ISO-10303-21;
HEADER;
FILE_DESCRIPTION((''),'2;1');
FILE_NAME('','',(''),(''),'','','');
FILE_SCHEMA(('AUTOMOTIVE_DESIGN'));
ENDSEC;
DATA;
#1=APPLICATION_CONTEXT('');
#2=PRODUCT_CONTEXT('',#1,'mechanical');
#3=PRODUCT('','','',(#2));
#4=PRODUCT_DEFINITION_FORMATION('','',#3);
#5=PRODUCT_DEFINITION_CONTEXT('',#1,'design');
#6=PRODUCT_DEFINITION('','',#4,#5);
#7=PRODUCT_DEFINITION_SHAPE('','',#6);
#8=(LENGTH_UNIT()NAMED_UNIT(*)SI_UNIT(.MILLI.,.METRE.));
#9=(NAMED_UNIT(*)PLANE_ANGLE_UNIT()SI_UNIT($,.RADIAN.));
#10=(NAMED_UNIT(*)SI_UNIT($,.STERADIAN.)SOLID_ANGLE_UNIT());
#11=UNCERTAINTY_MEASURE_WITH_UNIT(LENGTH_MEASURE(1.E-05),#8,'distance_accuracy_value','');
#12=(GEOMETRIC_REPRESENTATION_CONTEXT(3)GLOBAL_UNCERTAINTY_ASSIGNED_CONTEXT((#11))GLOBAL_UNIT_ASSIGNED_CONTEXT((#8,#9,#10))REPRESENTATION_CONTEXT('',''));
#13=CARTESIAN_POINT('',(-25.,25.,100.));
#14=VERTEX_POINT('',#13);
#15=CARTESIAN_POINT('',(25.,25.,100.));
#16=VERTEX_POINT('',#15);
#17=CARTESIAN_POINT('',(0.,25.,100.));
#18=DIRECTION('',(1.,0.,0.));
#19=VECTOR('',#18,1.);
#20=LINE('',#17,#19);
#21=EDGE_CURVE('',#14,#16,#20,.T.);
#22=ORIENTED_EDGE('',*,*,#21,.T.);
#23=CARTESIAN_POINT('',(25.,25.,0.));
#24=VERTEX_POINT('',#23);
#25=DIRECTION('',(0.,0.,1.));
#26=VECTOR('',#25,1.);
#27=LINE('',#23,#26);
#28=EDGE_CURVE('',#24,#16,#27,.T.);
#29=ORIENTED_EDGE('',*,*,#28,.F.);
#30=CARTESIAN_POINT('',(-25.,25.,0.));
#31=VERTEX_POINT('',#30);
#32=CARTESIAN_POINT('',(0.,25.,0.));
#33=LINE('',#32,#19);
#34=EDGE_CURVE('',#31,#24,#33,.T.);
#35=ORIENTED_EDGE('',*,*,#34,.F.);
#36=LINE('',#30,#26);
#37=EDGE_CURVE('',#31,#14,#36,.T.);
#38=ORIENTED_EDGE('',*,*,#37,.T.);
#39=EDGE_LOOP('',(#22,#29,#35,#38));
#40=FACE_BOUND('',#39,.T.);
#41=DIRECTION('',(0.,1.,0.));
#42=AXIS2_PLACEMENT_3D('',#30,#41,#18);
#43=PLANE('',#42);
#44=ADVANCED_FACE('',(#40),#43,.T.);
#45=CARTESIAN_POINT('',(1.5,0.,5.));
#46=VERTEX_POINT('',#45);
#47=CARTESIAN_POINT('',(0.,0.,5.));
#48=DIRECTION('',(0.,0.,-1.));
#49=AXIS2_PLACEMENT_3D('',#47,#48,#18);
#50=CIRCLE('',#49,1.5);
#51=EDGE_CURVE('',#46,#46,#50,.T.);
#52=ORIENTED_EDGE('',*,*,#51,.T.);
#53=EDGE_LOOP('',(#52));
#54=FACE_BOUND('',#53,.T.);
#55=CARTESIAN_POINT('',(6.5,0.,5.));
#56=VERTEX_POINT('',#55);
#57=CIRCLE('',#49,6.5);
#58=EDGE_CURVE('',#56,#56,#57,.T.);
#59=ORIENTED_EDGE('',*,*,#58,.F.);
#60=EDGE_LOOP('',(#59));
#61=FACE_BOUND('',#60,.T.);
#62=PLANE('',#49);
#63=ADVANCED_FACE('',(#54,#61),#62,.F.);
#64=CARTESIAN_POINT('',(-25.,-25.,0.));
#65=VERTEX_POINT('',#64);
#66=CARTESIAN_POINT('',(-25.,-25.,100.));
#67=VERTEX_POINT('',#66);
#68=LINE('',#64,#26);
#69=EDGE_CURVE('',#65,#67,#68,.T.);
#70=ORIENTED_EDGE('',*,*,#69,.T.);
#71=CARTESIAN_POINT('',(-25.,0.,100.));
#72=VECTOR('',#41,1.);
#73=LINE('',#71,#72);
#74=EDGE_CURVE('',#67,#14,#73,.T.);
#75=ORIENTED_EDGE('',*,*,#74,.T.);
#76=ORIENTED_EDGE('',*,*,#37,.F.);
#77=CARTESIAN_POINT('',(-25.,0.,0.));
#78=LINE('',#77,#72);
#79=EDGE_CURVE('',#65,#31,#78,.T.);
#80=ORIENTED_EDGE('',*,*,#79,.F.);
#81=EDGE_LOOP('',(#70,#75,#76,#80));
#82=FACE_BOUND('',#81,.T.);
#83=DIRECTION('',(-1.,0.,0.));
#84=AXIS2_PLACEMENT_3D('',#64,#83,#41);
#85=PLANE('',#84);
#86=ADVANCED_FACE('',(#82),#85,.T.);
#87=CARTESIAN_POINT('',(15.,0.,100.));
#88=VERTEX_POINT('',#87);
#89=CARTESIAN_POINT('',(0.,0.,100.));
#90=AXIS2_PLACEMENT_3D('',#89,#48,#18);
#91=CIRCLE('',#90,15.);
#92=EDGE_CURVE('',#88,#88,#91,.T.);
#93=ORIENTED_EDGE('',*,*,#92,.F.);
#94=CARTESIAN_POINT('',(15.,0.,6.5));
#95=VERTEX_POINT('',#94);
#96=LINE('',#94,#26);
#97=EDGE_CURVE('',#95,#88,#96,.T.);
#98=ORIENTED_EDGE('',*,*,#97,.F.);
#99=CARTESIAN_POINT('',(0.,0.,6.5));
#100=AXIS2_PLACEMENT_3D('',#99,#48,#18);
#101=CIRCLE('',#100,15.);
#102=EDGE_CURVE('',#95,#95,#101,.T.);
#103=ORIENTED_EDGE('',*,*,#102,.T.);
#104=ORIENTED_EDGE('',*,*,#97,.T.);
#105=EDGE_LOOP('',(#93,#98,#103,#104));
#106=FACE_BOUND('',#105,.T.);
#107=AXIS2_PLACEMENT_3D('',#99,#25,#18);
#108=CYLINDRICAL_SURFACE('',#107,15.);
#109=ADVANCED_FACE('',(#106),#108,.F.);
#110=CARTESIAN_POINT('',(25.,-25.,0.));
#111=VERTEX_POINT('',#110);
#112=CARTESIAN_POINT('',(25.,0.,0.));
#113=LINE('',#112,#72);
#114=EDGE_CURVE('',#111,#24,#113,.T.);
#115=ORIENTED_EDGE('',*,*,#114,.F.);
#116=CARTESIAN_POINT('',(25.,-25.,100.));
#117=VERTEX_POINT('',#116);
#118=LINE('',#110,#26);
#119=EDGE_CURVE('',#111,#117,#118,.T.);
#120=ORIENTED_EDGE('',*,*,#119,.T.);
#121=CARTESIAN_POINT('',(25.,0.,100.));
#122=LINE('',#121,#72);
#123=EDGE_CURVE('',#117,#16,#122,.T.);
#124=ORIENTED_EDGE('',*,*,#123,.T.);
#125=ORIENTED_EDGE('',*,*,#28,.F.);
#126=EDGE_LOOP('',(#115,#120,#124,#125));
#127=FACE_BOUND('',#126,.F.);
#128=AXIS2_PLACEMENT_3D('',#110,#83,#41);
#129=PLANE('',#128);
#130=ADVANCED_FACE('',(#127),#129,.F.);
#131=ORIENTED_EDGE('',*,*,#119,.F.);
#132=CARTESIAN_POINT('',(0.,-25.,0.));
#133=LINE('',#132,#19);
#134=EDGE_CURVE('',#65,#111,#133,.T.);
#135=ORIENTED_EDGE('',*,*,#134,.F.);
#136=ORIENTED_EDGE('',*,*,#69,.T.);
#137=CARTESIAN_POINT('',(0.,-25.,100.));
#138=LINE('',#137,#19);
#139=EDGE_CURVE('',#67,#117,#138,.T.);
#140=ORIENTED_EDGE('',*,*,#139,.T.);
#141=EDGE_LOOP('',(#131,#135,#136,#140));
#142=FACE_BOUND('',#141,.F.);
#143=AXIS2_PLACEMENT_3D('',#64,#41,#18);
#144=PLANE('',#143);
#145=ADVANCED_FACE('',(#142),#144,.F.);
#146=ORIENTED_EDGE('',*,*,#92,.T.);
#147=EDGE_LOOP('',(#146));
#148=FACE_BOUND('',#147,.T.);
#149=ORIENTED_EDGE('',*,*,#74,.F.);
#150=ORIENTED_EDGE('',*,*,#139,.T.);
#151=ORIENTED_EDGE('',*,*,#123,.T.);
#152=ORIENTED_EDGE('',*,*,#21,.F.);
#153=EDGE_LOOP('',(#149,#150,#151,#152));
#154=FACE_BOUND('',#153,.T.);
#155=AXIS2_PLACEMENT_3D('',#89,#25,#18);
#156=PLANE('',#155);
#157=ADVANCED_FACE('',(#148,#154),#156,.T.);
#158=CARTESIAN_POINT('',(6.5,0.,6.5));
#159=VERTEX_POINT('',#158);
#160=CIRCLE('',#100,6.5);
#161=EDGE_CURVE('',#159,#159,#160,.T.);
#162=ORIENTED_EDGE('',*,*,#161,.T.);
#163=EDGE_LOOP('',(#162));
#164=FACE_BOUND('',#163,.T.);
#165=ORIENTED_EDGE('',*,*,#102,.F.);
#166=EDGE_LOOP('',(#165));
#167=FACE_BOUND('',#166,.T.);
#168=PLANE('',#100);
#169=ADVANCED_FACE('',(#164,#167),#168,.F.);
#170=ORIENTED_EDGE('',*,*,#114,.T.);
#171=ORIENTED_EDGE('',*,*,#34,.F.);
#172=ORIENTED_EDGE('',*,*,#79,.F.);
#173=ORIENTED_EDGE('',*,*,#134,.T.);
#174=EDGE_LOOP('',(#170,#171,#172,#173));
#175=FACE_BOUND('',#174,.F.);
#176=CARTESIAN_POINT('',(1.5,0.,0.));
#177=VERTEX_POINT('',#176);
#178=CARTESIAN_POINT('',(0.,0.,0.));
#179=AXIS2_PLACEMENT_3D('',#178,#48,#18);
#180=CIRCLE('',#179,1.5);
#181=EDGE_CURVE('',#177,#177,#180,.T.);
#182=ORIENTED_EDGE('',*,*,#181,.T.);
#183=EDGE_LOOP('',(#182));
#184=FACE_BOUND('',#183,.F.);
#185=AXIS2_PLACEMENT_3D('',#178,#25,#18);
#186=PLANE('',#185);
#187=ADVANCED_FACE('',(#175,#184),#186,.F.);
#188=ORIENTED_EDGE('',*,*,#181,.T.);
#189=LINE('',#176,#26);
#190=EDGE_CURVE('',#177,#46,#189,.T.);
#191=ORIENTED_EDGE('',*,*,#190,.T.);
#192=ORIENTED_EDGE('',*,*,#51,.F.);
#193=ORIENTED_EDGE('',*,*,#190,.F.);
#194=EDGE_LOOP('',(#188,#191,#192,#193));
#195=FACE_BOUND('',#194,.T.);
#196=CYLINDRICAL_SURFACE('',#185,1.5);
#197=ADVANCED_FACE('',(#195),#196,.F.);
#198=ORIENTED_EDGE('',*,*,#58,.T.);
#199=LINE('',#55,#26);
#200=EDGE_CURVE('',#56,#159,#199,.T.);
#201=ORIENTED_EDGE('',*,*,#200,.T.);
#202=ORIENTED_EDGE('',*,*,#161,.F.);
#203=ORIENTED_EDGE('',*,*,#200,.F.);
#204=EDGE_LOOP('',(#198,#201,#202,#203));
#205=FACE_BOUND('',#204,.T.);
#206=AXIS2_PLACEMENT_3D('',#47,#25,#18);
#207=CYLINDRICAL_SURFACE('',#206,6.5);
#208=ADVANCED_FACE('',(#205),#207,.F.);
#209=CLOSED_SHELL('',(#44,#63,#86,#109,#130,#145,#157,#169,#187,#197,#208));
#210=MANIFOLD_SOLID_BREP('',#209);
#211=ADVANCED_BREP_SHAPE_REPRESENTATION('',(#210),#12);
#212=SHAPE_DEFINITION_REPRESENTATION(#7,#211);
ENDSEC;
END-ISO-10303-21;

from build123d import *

# Parameters (mm, degrees)
F0_W     = 50
F0_H     = 50
F1_DEPTH = 100


with BuildPart() as f1:
    # F0 (on Top) → F1 (new body)
    with BuildSketch(Plane.XY):
        Rectangle(F0_W, F0_H)
    extrude(amount=F1_DEPTH)

    # F2 (on Front) → F3 (revolve, cut)
    with BuildSketch(Plane.XZ):
        Polygon((0, 0), (1.5, 0), (1.5, 5), (6.5, 5), (6.5, 6.5), (15, 6.5), (15, 100), (0, 100), align=None)
    revolve(axis=Axis((0, 0, 50), (0, 0, -1)), mode=Mode.SUBTRACT)


solid = f1.part
